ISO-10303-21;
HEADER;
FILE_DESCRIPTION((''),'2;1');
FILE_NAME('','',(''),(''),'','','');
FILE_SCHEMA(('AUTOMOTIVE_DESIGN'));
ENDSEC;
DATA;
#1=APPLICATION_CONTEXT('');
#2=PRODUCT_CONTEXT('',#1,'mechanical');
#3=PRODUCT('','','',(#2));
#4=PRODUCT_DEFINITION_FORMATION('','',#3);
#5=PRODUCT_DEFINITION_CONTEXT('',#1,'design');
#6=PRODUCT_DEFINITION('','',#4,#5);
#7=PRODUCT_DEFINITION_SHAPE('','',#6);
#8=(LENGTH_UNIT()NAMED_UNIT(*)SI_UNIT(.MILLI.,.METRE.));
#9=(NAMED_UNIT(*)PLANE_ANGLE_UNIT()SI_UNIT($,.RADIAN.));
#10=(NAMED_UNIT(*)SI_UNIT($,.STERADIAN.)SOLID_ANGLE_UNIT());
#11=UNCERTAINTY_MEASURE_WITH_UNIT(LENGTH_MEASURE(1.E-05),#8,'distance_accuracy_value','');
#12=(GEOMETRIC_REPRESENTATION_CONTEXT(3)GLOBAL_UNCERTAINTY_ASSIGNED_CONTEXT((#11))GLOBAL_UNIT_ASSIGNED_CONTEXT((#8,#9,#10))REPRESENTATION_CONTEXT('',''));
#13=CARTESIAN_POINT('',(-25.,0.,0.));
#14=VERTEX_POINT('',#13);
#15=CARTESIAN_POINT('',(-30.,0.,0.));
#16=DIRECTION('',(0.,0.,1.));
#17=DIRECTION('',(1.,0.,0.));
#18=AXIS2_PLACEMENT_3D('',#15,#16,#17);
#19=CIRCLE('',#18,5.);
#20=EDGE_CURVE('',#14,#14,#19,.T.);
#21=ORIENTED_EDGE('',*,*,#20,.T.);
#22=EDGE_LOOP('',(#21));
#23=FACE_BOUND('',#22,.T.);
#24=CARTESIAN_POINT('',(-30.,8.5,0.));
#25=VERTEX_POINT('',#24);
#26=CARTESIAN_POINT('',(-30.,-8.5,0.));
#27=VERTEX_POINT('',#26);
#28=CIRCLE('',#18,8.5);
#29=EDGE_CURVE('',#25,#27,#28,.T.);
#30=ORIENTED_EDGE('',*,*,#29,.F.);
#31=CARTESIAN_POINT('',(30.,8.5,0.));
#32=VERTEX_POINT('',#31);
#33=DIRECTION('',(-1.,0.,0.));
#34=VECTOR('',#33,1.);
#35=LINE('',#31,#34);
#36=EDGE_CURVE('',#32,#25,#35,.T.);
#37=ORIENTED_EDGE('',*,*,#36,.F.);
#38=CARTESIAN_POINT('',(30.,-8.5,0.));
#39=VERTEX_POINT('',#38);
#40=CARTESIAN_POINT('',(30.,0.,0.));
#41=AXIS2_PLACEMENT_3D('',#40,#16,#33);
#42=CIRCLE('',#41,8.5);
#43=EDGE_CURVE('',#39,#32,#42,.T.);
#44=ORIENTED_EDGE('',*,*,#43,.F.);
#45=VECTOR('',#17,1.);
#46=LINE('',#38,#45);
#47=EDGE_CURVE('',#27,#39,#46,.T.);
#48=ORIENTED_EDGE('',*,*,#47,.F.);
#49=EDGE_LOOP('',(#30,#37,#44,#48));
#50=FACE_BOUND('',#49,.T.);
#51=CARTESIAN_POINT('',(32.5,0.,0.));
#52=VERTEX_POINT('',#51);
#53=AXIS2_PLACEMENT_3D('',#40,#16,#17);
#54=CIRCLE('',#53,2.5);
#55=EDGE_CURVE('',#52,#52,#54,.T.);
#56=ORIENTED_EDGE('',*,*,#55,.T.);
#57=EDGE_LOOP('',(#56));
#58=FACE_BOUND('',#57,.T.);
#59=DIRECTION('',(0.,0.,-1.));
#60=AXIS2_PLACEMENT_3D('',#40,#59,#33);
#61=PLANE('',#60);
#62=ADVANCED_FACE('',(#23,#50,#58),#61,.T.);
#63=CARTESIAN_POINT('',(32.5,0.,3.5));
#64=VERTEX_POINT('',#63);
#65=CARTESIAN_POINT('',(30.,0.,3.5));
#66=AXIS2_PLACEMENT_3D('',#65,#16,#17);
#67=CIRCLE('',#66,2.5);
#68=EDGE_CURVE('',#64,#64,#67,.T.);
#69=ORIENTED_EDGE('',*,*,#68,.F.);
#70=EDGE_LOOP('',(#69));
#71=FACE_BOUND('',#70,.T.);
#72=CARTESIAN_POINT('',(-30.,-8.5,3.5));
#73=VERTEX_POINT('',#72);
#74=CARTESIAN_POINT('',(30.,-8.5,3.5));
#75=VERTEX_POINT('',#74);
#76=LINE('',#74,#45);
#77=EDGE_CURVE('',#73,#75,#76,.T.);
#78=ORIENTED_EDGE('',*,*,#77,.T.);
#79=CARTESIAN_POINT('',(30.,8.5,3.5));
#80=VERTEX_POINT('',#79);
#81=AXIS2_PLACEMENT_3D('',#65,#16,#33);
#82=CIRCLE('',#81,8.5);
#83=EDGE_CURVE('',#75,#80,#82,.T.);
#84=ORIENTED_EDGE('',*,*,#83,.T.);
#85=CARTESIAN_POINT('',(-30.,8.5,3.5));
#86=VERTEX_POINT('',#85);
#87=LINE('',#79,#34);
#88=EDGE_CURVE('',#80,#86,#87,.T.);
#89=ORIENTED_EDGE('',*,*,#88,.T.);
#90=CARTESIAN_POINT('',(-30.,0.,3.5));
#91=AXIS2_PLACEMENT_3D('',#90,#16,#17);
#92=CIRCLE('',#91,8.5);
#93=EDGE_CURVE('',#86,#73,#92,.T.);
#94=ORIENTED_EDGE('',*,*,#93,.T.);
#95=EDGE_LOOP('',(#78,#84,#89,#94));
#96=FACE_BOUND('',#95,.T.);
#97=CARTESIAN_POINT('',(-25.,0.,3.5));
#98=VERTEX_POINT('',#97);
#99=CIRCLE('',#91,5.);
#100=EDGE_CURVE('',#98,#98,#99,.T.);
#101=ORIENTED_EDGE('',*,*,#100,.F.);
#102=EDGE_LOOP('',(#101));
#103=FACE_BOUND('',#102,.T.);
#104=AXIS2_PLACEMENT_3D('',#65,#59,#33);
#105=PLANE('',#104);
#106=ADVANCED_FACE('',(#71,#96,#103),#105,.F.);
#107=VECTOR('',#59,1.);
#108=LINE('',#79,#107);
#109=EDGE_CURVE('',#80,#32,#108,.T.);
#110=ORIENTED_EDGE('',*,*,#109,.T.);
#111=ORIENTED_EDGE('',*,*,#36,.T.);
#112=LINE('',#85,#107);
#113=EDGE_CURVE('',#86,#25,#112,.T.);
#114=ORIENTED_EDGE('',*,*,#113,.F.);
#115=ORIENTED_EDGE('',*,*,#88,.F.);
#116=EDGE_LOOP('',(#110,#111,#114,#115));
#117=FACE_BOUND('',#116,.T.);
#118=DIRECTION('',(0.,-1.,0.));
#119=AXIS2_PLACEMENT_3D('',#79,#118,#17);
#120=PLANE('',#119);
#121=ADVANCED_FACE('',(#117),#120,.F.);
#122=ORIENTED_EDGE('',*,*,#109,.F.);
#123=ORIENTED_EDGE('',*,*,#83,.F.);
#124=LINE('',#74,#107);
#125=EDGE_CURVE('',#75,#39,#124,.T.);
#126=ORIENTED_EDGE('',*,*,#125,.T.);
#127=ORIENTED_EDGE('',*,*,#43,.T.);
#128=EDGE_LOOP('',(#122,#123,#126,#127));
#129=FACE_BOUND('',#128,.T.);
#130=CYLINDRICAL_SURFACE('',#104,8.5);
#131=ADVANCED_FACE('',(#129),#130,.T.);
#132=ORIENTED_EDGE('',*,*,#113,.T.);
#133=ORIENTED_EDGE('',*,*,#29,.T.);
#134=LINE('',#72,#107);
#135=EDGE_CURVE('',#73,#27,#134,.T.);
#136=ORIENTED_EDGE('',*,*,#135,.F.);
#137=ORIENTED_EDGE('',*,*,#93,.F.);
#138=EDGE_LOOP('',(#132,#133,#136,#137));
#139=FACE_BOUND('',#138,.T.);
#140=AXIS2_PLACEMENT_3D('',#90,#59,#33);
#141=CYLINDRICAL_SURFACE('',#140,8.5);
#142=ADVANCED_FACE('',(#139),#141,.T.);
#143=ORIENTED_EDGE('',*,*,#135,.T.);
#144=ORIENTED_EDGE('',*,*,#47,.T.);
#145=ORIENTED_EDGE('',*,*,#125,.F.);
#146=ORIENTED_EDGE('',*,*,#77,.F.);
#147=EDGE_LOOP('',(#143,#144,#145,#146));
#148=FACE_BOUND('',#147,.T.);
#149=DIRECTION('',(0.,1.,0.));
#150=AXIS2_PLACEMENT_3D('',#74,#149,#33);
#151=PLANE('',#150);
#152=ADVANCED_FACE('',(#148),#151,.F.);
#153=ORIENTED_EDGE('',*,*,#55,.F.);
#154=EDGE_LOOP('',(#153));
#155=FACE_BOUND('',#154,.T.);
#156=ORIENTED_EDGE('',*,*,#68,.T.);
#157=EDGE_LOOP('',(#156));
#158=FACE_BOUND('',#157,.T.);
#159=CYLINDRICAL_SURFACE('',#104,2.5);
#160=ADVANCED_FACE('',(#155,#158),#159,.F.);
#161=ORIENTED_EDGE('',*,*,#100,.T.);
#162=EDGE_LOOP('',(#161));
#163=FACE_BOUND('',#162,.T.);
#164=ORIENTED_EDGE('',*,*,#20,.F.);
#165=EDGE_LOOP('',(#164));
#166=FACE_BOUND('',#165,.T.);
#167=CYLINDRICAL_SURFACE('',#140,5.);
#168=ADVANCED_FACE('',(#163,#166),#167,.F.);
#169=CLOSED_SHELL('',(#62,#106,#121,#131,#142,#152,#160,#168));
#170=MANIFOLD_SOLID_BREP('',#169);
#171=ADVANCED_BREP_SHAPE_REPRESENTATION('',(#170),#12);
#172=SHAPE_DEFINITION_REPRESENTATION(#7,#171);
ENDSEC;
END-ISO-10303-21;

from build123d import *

# Parameters (mm, degrees)
SKETCH_1_R      = 2.5
SKETCH_1_R_2    = 5
EXTRUDE_1_DEPTH = 3.5


with BuildPart() as part:
    # 草图1 → 凸台-拉伸1 (new body)
    with BuildSketch(Plane.XY):
        with BuildLine():
            Line((30, 8.5), (-30, 8.5))
            ThreePointArc((-30, 8.5), (-38.5, 0), (-30, -8.5))
            Line((-30, -8.5), (30, -8.5))
            ThreePointArc((30, -8.5), (38.5, 0), (30, 8.5))
        make_face()
        with Locations((30, 0)):
            Circle(SKETCH_1_R, mode=Mode.SUBTRACT)
        with Locations((-30, 0)):
            Circle(SKETCH_1_R_2, mode=Mode.SUBTRACT)
    extrude(amount=EXTRUDE_1_DEPTH)


solid = part.part
